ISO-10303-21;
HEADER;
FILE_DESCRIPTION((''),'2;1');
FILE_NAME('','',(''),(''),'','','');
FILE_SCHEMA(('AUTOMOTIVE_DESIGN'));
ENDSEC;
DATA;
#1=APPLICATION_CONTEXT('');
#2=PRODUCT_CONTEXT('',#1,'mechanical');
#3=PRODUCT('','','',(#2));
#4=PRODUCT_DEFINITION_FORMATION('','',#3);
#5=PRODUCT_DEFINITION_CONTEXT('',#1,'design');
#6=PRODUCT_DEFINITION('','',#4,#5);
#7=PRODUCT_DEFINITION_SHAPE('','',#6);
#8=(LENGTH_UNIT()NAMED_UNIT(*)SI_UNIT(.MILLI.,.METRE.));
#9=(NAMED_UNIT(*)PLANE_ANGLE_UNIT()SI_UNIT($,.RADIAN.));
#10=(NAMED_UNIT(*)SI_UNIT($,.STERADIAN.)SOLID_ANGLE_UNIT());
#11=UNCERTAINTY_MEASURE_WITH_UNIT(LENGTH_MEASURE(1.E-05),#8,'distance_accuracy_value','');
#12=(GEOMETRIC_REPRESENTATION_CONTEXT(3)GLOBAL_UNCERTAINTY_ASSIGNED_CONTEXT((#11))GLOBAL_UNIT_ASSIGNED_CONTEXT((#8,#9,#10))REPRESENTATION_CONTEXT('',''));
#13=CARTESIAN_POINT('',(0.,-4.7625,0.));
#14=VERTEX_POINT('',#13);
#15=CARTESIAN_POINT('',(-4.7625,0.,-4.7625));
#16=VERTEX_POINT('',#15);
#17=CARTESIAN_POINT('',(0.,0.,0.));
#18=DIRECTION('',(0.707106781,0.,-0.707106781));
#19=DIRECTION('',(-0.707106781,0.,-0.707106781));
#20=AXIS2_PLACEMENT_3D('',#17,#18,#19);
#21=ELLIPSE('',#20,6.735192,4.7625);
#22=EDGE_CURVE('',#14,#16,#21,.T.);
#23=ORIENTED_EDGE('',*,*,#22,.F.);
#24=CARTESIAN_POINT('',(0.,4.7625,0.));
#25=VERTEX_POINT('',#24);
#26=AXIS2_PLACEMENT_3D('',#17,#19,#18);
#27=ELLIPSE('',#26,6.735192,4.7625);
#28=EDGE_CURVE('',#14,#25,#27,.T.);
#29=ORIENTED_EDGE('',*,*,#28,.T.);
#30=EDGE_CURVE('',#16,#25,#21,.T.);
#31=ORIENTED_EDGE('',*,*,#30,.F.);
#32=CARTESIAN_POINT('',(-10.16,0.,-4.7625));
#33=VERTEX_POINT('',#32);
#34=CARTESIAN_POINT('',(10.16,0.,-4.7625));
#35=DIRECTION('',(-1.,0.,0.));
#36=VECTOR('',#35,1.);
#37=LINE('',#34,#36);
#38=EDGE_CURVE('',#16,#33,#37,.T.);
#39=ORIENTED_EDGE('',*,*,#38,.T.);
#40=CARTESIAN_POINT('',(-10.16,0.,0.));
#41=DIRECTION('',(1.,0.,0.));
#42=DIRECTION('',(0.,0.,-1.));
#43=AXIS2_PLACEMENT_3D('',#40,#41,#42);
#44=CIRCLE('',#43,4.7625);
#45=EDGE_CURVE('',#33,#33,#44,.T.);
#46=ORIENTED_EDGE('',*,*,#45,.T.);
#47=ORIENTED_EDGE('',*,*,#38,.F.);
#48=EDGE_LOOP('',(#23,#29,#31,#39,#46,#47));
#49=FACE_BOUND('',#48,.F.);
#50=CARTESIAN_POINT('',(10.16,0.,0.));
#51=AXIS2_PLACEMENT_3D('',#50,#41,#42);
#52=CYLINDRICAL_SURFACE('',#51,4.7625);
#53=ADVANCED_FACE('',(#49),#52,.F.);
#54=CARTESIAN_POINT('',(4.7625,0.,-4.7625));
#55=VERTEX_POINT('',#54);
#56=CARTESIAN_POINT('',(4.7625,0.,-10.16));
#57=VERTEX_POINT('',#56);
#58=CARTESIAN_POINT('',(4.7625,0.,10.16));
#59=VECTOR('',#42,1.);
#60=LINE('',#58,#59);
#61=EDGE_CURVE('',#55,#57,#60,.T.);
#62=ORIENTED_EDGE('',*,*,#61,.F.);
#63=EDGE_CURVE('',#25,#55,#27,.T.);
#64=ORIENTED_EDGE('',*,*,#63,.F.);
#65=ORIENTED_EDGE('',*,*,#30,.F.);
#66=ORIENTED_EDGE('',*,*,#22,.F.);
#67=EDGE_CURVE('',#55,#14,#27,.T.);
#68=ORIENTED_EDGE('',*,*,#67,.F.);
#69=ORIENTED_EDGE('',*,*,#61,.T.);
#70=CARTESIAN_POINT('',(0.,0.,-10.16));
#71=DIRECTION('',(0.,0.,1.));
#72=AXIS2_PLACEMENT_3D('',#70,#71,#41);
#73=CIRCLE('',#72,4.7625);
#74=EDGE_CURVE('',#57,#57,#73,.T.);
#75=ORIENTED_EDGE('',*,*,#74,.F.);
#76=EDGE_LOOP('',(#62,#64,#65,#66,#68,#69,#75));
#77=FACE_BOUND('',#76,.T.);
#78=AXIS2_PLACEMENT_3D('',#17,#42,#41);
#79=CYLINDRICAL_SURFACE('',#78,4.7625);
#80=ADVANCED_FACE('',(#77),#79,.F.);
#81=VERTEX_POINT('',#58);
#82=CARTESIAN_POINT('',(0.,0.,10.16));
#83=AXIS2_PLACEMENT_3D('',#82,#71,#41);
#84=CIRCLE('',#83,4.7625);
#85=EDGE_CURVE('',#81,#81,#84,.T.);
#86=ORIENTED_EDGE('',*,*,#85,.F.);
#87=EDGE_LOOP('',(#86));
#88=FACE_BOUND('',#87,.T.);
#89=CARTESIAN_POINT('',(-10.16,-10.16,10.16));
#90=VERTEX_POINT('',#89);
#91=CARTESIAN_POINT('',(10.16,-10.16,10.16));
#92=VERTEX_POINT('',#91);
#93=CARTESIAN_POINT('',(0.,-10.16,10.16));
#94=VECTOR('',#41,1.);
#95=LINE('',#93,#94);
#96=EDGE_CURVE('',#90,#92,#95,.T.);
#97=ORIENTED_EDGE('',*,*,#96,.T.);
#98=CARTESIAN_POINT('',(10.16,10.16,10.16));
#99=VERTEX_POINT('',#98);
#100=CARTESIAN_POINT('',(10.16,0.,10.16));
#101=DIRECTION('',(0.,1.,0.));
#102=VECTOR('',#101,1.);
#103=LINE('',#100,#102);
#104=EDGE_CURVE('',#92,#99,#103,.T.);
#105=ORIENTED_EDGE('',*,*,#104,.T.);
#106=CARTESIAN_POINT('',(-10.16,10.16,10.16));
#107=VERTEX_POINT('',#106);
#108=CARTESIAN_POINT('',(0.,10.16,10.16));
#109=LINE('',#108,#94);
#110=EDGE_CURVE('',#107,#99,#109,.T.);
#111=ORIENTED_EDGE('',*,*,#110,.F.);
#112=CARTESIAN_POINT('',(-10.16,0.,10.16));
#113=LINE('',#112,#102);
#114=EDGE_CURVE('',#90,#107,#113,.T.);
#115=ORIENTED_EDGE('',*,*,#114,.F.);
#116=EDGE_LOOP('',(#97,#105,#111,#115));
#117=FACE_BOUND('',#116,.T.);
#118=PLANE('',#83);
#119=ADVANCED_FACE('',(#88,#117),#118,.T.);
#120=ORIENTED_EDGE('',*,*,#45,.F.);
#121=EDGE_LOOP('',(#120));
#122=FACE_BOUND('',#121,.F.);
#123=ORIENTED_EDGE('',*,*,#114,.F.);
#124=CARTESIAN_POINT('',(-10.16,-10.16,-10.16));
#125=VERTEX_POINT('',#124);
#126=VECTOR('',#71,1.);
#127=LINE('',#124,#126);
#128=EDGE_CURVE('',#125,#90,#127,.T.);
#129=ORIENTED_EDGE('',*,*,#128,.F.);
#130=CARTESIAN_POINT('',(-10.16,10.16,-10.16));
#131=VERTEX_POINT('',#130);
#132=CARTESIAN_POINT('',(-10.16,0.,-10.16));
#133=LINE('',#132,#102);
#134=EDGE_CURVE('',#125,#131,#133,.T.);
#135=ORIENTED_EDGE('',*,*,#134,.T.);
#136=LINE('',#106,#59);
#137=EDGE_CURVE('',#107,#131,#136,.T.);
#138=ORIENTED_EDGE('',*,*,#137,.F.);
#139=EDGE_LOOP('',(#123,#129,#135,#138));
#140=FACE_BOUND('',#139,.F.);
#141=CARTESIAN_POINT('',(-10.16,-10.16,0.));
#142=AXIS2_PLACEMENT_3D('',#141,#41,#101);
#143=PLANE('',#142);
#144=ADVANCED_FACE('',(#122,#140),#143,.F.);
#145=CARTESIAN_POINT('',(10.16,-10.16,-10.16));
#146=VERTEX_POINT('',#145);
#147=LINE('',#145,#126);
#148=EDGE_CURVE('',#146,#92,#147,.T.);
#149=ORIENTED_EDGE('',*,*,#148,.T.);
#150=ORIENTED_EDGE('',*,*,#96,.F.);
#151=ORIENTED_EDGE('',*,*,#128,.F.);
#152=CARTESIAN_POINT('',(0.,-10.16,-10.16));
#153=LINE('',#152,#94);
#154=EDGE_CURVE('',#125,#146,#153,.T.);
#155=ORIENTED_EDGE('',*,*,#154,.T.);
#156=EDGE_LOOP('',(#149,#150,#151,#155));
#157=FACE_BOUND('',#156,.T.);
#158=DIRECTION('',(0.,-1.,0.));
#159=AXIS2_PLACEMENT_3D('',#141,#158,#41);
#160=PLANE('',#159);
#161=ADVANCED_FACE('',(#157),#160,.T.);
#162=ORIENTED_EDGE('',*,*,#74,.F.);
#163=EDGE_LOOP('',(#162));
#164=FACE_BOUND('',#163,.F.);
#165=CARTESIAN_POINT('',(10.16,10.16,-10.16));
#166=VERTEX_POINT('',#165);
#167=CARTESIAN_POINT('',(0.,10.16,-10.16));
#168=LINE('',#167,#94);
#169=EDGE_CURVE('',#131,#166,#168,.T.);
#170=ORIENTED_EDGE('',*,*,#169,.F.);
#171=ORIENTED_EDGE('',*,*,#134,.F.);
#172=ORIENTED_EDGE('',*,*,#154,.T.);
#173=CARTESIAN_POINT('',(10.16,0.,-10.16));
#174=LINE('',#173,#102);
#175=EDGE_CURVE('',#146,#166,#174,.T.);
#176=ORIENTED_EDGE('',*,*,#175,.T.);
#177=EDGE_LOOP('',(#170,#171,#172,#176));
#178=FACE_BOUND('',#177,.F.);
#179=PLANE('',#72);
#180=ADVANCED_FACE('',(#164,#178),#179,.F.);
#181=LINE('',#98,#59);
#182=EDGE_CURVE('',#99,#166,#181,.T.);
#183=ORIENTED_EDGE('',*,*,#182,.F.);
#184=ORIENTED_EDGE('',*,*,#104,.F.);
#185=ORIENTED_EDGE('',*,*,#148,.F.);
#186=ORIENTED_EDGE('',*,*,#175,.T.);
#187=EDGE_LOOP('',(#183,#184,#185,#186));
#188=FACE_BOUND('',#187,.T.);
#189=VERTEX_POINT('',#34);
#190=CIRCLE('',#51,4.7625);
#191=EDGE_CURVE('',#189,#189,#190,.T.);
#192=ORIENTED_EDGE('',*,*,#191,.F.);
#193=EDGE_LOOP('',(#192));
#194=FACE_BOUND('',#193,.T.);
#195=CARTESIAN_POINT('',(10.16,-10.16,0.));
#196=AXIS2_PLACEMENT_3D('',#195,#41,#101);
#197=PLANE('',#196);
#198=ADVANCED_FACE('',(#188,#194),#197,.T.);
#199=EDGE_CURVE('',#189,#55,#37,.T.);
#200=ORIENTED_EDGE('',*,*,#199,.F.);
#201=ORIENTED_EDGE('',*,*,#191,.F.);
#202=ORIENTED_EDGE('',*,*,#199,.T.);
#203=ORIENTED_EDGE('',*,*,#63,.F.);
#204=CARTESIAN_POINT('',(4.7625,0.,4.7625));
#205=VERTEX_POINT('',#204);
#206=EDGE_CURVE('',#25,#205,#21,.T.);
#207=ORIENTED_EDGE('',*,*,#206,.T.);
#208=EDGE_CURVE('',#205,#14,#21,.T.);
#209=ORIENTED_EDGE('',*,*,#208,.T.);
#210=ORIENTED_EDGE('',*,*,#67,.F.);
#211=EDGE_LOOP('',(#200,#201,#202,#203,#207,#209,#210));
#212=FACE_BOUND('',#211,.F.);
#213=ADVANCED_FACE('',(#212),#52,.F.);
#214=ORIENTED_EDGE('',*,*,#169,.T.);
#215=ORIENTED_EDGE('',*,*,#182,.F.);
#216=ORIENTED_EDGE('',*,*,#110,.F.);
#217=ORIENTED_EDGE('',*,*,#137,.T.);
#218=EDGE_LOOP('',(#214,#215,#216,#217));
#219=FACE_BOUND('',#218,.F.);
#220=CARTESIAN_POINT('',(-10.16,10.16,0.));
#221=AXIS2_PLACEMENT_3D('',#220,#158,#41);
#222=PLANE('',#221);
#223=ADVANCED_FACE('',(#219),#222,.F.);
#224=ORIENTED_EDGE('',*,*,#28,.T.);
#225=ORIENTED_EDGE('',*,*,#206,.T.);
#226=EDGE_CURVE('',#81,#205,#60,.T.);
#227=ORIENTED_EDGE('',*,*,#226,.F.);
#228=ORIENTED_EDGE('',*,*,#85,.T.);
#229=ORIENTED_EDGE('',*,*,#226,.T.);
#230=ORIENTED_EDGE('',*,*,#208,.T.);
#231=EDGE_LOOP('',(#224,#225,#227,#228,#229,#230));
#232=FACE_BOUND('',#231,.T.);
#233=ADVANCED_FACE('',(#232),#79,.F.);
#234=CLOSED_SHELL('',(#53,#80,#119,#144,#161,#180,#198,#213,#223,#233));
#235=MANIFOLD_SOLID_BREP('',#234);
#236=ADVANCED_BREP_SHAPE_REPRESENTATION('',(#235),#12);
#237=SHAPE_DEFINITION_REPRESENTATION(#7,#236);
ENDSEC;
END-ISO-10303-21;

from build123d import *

# Parameters (mm, degrees)
SKETCH1_W           = 20.32
SKETCH1_H           = 20.32
SKETCH1_R           = 4.7625
BOSS_EXTRUDE1_DEPTH = 10.16
SKETCH2_R           = 4.7625
CUT_EXTRUDE1_DEPTH  = 21.32


with BuildPart() as part:
    # Sketch1 → Boss-Extrude1 (new body, symmetric)
    with BuildSketch(Plane.XY):
        Rectangle(SKETCH1_W, SKETCH1_H)
        Circle(SKETCH1_R, mode=Mode.SUBTRACT)
    extrude(amount=BOSS_EXTRUDE1_DEPTH, both=True)

    # Sketch2 → Cut-Extrude1 (cut, through all)
    with BuildSketch(Plane(origin=(10.16, 0, 0), x_dir=(0, 0, -1), z_dir=(1, 0, 0))):
        Circle(SKETCH2_R)
    extrude(amount=-CUT_EXTRUDE1_DEPTH, mode=Mode.SUBTRACT)


solid = part.part
